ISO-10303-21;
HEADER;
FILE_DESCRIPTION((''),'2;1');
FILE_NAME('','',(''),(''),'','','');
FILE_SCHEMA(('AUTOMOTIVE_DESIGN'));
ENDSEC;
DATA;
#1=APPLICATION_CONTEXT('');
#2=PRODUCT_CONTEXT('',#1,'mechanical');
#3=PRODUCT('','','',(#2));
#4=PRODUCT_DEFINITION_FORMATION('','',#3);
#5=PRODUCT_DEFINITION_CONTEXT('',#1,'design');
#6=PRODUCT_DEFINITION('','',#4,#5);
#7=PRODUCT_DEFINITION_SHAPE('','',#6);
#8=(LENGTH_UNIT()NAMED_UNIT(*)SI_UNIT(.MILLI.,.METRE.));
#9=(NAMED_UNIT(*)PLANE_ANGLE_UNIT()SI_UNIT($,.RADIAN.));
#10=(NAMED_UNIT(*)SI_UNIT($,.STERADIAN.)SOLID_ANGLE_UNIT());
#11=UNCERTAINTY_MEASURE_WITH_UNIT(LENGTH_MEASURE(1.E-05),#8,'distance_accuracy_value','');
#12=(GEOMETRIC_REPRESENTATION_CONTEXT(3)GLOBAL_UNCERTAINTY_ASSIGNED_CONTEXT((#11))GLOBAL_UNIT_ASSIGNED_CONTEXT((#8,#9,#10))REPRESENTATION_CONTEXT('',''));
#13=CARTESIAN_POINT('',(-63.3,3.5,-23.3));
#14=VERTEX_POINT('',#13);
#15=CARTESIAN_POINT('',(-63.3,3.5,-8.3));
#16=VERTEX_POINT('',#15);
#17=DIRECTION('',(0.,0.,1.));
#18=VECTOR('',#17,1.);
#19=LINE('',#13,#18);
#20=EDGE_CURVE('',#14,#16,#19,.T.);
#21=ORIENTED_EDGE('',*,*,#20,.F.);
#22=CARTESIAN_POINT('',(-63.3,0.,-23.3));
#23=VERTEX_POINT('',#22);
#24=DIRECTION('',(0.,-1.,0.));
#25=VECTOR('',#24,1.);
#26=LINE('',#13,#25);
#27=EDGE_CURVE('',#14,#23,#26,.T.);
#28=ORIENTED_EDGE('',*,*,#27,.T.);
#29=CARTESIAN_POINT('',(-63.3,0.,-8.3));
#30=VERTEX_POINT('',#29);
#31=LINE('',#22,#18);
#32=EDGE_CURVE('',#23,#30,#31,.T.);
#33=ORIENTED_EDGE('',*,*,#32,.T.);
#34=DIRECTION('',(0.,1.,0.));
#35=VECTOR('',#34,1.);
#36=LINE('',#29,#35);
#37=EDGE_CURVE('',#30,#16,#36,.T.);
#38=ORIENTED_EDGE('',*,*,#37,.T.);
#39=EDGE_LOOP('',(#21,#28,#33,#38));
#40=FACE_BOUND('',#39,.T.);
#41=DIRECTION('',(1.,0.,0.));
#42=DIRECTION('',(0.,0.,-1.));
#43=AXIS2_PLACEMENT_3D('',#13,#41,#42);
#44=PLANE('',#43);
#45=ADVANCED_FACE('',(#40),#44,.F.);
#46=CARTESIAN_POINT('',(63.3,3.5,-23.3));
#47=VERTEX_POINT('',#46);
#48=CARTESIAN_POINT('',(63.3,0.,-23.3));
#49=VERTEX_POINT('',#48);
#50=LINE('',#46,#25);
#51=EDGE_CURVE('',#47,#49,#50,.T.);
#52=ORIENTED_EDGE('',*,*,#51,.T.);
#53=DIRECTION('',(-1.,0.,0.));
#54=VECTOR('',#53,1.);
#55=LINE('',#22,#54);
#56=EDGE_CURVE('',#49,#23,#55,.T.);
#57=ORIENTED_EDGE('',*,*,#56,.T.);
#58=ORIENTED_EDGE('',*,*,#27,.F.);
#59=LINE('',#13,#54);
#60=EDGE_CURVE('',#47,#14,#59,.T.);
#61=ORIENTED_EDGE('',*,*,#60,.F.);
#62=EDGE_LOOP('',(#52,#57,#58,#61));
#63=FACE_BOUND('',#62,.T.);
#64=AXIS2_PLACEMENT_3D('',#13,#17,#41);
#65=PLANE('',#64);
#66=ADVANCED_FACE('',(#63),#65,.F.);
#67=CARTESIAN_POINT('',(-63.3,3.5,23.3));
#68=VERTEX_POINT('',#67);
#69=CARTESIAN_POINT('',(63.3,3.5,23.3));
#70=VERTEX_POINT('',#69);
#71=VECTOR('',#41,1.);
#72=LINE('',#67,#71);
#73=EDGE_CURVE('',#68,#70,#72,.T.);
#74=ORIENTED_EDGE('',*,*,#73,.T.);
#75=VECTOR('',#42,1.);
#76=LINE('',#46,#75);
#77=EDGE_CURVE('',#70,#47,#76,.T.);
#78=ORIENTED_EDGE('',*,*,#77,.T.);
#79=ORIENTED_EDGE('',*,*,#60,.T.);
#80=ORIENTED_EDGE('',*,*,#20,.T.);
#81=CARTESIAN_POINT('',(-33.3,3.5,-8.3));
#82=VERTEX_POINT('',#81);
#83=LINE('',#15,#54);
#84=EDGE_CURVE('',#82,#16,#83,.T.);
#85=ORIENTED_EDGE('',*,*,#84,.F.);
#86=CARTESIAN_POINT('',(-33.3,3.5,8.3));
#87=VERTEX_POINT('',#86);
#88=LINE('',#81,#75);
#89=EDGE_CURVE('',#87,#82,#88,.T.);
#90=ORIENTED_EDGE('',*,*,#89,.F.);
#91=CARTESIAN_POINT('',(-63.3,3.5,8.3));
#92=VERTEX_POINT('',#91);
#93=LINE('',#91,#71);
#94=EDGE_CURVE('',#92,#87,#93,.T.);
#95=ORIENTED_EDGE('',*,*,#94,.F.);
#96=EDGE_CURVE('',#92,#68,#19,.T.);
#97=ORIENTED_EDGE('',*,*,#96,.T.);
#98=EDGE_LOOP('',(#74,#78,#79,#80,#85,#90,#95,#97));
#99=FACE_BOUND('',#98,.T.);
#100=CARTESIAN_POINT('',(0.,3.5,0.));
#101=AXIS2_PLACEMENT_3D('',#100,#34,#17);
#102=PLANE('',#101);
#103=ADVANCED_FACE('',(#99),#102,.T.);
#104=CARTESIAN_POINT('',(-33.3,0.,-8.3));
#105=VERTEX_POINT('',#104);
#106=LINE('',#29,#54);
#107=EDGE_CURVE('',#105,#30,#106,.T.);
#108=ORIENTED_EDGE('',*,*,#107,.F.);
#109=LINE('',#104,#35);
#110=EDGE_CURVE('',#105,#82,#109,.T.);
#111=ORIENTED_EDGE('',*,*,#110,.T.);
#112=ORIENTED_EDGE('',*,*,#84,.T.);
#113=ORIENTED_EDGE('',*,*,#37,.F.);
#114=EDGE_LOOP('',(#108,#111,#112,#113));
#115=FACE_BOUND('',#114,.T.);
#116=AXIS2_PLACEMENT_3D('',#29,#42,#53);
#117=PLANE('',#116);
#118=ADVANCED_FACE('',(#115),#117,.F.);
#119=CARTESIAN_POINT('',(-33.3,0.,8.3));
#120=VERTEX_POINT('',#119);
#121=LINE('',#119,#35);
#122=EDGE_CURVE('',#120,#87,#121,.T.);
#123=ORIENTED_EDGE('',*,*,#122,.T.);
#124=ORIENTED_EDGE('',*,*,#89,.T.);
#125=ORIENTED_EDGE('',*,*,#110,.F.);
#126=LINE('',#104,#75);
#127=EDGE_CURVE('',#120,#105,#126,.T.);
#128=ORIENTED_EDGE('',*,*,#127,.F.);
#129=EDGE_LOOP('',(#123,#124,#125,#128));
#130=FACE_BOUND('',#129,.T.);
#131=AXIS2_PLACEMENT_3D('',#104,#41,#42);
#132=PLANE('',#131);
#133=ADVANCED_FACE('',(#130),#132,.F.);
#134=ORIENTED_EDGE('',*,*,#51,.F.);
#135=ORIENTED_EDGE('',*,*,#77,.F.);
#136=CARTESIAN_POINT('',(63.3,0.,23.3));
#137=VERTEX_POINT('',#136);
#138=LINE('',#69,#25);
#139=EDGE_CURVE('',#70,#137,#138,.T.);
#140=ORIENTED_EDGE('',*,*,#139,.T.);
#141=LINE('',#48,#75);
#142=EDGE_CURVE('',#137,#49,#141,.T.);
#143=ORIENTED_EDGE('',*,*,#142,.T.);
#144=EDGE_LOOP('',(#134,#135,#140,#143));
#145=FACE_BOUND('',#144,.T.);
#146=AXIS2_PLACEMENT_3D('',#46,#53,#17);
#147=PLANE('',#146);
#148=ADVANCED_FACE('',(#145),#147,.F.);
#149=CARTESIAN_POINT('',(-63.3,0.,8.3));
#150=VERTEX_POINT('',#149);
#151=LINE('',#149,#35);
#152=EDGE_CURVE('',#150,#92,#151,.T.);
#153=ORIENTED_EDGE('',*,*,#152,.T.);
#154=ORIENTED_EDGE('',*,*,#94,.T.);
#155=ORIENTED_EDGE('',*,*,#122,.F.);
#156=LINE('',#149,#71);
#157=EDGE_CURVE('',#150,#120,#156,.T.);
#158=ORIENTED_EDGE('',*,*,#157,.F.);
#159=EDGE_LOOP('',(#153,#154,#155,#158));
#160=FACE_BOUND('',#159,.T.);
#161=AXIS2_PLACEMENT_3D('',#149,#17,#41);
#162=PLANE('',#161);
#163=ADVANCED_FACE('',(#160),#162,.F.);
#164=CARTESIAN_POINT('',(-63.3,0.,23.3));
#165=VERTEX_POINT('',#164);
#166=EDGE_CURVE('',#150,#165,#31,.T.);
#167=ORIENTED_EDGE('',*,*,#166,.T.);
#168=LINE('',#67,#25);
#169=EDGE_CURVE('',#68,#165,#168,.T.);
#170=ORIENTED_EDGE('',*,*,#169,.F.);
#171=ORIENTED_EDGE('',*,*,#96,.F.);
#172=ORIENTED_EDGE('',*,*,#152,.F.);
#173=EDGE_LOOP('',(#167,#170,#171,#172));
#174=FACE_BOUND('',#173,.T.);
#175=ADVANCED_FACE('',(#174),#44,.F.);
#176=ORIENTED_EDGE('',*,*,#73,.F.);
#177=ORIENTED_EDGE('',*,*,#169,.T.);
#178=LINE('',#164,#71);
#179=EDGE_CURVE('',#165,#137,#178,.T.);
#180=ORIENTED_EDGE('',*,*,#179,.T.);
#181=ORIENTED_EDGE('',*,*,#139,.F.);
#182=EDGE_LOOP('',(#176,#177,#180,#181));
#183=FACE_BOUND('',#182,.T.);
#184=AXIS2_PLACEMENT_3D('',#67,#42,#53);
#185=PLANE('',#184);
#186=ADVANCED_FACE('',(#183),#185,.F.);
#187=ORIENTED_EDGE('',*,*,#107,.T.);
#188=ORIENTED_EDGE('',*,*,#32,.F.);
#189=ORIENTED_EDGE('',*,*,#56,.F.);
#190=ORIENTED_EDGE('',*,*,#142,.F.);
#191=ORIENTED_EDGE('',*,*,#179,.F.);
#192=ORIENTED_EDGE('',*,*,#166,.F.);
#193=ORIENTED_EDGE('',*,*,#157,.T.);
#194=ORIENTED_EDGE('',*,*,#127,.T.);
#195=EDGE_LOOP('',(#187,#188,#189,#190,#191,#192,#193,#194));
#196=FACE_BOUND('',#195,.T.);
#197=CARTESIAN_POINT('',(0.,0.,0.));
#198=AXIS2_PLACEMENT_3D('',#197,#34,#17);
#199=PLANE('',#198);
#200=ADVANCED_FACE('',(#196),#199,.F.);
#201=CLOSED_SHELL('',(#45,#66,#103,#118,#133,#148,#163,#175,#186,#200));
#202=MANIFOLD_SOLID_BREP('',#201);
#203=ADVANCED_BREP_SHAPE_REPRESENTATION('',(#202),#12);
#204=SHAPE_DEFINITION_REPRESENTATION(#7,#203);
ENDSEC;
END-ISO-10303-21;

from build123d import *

# Parameters (mm, degrees)
SKETCH2_W           = 126.6
SKETCH2_H           = 46.6
BOSS_EXTRUDE1_DEPTH = 3.5
SKETCH3_W           = 30
SKETCH3_H           = 16.6
CUT_EXTRUDE1_DEPTH  = 3.5


with BuildPart() as part:
    # Sketch2 → Boss-Extrude1 (new body)
    with BuildSketch(Plane(origin=(0, 0, 0), x_dir=(1, 0, 0), z_dir=(0, 1, 0))):
        Rectangle(SKETCH2_W, SKETCH2_H)
    extrude(amount=BOSS_EXTRUDE1_DEPTH)

    # Sketch3 → Cut-Extrude1 (cut)
    with BuildSketch(Plane(origin=(0, 3.5, 0), x_dir=(1, 0, 0), z_dir=(0, 1, 0))):
        with Locations((-48.3, 0)):
            Rectangle(SKETCH3_W, SKETCH3_H)
    extrude(amount=-CUT_EXTRUDE1_DEPTH, mode=Mode.SUBTRACT)


solid = part.part
